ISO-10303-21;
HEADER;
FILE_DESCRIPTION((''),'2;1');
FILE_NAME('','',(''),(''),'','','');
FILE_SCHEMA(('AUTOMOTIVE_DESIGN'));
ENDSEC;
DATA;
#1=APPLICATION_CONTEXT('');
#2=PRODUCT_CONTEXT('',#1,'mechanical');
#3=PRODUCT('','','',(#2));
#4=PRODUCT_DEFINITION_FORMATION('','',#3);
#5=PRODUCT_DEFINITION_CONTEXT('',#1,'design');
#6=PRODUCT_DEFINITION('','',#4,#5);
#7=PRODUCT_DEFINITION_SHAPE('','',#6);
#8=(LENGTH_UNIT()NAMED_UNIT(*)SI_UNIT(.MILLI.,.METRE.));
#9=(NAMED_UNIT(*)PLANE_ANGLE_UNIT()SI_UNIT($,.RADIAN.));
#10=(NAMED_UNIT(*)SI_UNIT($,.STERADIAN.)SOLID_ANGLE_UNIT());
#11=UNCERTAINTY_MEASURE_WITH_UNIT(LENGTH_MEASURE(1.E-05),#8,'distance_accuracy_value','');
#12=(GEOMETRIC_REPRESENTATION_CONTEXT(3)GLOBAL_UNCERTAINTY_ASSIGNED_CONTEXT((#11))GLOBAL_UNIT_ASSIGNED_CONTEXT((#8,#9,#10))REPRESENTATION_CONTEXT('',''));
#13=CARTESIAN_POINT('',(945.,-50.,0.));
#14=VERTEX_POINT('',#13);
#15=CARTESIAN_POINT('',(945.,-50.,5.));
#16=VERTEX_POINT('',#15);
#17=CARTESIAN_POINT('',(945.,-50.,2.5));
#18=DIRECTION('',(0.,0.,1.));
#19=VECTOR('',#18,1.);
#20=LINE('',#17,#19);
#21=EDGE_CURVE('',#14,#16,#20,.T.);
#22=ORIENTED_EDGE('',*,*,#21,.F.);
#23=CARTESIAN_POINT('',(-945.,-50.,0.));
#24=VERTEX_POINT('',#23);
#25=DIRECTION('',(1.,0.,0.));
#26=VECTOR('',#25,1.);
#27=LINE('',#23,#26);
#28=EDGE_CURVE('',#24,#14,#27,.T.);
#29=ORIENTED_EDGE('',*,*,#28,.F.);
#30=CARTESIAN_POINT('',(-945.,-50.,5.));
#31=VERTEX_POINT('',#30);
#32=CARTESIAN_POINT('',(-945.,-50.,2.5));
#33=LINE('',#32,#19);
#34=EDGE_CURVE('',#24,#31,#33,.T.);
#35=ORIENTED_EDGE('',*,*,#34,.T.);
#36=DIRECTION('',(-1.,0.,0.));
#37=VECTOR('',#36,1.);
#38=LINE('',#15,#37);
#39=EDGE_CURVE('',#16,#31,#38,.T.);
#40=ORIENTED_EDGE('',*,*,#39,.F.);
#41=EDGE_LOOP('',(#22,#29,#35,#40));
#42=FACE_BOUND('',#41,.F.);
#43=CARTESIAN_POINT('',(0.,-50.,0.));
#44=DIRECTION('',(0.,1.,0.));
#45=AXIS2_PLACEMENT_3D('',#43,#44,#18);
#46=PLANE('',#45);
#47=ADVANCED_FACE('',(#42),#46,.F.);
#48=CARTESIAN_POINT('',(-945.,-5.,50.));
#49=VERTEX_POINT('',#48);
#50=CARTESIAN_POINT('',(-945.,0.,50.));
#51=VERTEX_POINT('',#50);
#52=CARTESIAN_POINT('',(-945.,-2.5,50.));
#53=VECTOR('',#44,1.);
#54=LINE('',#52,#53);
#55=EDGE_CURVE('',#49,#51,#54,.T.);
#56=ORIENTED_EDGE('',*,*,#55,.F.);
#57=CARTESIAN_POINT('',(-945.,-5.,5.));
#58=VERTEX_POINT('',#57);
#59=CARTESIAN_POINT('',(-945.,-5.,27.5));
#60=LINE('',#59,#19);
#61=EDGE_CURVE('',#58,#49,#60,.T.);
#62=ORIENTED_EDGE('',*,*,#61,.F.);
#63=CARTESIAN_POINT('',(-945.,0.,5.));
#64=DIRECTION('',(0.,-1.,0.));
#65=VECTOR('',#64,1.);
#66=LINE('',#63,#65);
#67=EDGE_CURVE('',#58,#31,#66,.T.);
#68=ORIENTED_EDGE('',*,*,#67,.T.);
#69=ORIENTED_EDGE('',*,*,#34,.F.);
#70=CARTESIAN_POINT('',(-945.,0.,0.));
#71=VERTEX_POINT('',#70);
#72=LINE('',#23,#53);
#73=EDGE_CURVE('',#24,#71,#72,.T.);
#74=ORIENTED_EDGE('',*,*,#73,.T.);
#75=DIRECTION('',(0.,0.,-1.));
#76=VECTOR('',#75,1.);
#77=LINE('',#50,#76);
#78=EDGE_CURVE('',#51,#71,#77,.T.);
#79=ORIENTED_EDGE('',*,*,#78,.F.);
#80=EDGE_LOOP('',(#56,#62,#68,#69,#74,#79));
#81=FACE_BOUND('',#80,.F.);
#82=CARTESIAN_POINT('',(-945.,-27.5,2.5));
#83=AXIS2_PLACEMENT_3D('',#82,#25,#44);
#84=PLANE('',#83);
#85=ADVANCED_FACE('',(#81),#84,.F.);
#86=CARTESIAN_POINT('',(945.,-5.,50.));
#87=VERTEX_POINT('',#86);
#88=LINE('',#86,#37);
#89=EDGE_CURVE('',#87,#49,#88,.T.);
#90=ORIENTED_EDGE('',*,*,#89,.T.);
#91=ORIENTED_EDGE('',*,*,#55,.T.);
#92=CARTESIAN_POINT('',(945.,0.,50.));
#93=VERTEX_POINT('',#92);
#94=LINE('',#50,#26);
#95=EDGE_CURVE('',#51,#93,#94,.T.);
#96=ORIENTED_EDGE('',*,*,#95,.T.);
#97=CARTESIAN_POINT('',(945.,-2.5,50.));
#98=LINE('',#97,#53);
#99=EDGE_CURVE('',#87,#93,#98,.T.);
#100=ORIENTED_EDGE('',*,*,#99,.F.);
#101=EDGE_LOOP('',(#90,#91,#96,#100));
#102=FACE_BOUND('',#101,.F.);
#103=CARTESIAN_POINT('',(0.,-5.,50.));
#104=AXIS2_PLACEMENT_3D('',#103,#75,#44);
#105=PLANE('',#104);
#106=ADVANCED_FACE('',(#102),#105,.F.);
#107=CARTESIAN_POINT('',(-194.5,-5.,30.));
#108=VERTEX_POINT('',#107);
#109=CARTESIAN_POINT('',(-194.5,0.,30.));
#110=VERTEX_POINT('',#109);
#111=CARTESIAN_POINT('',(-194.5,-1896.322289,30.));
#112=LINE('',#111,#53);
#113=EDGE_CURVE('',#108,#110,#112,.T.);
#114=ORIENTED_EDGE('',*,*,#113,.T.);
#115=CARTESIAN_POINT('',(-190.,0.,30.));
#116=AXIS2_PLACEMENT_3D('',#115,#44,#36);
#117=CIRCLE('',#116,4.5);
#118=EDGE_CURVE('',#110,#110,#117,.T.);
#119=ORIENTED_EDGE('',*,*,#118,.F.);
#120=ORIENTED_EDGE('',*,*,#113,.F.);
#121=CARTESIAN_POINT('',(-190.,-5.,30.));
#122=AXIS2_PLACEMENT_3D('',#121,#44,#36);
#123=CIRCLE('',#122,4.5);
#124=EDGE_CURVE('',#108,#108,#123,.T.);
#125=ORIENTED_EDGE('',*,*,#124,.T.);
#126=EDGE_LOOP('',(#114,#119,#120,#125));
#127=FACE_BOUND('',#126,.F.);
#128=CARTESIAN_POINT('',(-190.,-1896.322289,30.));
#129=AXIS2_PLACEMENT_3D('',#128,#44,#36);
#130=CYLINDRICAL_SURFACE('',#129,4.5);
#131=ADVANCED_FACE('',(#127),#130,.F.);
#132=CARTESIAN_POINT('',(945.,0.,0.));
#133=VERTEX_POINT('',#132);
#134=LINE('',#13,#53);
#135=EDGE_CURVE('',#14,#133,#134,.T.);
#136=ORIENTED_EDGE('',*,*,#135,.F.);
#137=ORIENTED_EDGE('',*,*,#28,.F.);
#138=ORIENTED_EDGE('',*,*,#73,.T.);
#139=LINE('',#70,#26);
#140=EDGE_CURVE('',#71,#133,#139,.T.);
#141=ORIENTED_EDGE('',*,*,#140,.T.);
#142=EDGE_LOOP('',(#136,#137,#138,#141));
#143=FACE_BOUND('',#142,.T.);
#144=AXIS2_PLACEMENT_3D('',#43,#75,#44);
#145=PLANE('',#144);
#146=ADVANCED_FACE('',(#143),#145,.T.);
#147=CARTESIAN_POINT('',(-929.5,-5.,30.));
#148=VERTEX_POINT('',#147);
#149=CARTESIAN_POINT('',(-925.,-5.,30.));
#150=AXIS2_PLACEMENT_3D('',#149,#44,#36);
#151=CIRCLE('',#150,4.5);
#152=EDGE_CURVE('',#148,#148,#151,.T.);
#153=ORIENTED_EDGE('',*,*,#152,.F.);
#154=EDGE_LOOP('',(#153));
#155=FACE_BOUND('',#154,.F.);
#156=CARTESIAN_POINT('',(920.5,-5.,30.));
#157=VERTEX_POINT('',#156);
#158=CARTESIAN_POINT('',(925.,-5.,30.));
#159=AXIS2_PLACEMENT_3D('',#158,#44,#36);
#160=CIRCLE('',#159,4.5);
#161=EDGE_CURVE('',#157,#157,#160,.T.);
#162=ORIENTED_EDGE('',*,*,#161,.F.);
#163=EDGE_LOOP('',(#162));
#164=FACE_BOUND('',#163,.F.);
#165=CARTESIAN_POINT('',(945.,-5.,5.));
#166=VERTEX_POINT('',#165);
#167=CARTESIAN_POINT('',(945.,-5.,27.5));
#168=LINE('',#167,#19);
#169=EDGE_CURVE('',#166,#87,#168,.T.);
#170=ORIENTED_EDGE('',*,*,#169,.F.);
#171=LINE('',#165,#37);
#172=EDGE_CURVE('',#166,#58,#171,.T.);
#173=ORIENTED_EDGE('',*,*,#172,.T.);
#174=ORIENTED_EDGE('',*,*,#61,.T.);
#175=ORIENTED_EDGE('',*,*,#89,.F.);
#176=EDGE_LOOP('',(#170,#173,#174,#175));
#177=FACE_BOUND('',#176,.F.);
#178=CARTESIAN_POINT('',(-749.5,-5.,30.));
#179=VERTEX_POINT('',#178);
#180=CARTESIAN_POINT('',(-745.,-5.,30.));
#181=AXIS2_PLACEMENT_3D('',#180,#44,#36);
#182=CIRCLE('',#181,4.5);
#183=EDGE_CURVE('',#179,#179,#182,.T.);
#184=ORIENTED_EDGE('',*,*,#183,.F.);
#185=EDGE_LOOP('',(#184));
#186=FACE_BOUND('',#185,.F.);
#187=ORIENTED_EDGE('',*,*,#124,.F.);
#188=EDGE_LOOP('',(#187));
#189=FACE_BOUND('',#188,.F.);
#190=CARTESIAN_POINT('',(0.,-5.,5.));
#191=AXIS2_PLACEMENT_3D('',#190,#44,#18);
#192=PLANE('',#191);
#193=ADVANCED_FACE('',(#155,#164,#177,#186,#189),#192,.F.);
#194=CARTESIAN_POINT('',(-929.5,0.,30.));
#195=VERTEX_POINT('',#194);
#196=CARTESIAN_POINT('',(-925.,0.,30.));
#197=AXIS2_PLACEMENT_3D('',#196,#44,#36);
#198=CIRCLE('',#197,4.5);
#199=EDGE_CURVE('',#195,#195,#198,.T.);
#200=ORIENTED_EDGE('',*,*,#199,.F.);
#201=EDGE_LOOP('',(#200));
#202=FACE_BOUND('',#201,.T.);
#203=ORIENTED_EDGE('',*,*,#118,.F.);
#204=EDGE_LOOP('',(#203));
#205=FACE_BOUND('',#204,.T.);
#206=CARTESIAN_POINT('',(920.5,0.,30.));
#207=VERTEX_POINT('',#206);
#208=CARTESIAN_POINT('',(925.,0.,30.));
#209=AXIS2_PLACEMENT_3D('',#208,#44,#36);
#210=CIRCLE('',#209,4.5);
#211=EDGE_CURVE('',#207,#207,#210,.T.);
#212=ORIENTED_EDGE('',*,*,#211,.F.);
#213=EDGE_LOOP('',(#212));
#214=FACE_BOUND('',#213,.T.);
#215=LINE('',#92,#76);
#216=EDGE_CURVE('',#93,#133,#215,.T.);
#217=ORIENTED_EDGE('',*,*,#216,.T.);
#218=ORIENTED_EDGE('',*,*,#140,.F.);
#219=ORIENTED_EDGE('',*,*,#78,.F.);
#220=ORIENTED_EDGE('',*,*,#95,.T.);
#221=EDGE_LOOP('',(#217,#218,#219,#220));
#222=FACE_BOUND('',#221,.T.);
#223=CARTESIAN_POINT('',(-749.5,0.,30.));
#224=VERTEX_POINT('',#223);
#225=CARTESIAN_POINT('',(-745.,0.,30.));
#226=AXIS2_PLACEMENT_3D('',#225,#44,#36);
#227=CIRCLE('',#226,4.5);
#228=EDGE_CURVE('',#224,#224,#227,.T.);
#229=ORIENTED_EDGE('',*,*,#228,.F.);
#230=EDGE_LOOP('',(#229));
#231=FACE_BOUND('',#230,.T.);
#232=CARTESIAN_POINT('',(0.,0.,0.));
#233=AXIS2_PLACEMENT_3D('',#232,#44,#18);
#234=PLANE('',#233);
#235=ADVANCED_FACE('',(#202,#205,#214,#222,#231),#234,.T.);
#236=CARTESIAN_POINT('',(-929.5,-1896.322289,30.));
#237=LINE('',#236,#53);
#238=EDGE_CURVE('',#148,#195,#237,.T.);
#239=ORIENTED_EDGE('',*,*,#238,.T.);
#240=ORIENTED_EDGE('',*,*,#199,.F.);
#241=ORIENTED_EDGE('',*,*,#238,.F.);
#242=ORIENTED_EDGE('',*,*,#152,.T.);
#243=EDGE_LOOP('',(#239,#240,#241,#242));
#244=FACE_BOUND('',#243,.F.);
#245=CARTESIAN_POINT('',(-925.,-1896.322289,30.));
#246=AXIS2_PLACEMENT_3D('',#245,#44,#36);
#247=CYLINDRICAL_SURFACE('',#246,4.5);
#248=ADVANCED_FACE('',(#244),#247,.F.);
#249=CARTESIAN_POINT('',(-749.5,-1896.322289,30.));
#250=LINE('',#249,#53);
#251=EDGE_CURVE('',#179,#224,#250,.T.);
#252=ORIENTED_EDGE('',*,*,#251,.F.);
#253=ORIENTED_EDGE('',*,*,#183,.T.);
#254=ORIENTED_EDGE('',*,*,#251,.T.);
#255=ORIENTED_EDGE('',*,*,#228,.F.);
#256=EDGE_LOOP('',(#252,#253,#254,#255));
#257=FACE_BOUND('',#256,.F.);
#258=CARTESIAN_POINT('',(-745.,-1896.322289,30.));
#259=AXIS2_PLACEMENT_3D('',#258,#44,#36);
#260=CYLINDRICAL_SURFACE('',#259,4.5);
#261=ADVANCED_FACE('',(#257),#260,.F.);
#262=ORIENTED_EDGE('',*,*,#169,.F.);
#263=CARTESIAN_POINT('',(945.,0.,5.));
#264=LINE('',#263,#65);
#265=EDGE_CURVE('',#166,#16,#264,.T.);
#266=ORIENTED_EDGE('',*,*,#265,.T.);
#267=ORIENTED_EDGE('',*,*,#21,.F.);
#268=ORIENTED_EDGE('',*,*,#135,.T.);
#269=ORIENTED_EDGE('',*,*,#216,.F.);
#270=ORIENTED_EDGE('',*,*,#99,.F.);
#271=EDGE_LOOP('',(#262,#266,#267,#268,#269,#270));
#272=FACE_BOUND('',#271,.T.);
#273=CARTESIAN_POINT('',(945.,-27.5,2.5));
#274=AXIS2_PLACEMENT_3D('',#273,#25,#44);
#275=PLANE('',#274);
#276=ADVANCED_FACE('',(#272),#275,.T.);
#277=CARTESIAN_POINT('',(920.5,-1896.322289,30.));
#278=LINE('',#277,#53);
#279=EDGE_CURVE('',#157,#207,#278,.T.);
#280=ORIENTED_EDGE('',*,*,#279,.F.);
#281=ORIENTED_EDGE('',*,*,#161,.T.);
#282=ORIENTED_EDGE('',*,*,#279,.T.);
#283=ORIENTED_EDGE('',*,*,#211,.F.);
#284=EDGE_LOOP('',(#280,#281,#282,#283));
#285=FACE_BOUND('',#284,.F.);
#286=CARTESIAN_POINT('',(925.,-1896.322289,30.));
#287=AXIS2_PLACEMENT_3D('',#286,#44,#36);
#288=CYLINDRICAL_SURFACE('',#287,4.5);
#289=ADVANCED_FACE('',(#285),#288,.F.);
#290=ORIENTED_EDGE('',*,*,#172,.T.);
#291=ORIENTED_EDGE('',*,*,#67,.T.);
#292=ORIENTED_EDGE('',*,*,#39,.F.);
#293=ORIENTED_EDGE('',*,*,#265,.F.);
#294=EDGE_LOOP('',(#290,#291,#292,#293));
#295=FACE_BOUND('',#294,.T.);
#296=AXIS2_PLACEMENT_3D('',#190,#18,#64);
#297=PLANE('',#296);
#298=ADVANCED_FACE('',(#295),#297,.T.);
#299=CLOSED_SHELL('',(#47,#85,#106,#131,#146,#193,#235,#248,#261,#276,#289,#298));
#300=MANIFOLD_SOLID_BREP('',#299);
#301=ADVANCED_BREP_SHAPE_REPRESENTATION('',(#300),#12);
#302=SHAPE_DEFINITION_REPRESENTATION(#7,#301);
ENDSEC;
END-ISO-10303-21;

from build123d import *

# Parameters (mm, degrees)
F0_W     = 45
F0_H     = 5
F0_W_2   = 5
F0_H_2   = 45
F1_DEPTH = 945
F2_W     = 1890
F2_H     = 45
F3_DEPTH = 5
F4_D     = 9


with BuildPart() as f1:
    # F0 (on Right) → F1 (new body, symmetric)
    with BuildSketch(Plane.YZ):
        with Locations((-27.5, 2.5)):
            Rectangle(F0_W, F0_H)
        with Locations((-2.5, 2.5)):
            Rectangle(F0_W_2, F0_H)
        with Locations((-2.5, 27.5)):
            Rectangle(F0_W_2, F0_H_2)
    extrude(amount=F1_DEPTH, both=True)

    # F2 (on face) → F3 (join)
    with BuildSketch(Plane.XZ.offset(5)):
        with Locations((0, 27.5)):
            Rectangle(F2_W, F2_H)
    extrude(amount=-F3_DEPTH)

    # F4 (through all)
    with Locations(Plane.XZ.offset(5)):
        with Locations((-925, 30), (-745, 30), (-190, 30), (925, 30)):
            Hole(F4_D / 2)


solid = f1.part
